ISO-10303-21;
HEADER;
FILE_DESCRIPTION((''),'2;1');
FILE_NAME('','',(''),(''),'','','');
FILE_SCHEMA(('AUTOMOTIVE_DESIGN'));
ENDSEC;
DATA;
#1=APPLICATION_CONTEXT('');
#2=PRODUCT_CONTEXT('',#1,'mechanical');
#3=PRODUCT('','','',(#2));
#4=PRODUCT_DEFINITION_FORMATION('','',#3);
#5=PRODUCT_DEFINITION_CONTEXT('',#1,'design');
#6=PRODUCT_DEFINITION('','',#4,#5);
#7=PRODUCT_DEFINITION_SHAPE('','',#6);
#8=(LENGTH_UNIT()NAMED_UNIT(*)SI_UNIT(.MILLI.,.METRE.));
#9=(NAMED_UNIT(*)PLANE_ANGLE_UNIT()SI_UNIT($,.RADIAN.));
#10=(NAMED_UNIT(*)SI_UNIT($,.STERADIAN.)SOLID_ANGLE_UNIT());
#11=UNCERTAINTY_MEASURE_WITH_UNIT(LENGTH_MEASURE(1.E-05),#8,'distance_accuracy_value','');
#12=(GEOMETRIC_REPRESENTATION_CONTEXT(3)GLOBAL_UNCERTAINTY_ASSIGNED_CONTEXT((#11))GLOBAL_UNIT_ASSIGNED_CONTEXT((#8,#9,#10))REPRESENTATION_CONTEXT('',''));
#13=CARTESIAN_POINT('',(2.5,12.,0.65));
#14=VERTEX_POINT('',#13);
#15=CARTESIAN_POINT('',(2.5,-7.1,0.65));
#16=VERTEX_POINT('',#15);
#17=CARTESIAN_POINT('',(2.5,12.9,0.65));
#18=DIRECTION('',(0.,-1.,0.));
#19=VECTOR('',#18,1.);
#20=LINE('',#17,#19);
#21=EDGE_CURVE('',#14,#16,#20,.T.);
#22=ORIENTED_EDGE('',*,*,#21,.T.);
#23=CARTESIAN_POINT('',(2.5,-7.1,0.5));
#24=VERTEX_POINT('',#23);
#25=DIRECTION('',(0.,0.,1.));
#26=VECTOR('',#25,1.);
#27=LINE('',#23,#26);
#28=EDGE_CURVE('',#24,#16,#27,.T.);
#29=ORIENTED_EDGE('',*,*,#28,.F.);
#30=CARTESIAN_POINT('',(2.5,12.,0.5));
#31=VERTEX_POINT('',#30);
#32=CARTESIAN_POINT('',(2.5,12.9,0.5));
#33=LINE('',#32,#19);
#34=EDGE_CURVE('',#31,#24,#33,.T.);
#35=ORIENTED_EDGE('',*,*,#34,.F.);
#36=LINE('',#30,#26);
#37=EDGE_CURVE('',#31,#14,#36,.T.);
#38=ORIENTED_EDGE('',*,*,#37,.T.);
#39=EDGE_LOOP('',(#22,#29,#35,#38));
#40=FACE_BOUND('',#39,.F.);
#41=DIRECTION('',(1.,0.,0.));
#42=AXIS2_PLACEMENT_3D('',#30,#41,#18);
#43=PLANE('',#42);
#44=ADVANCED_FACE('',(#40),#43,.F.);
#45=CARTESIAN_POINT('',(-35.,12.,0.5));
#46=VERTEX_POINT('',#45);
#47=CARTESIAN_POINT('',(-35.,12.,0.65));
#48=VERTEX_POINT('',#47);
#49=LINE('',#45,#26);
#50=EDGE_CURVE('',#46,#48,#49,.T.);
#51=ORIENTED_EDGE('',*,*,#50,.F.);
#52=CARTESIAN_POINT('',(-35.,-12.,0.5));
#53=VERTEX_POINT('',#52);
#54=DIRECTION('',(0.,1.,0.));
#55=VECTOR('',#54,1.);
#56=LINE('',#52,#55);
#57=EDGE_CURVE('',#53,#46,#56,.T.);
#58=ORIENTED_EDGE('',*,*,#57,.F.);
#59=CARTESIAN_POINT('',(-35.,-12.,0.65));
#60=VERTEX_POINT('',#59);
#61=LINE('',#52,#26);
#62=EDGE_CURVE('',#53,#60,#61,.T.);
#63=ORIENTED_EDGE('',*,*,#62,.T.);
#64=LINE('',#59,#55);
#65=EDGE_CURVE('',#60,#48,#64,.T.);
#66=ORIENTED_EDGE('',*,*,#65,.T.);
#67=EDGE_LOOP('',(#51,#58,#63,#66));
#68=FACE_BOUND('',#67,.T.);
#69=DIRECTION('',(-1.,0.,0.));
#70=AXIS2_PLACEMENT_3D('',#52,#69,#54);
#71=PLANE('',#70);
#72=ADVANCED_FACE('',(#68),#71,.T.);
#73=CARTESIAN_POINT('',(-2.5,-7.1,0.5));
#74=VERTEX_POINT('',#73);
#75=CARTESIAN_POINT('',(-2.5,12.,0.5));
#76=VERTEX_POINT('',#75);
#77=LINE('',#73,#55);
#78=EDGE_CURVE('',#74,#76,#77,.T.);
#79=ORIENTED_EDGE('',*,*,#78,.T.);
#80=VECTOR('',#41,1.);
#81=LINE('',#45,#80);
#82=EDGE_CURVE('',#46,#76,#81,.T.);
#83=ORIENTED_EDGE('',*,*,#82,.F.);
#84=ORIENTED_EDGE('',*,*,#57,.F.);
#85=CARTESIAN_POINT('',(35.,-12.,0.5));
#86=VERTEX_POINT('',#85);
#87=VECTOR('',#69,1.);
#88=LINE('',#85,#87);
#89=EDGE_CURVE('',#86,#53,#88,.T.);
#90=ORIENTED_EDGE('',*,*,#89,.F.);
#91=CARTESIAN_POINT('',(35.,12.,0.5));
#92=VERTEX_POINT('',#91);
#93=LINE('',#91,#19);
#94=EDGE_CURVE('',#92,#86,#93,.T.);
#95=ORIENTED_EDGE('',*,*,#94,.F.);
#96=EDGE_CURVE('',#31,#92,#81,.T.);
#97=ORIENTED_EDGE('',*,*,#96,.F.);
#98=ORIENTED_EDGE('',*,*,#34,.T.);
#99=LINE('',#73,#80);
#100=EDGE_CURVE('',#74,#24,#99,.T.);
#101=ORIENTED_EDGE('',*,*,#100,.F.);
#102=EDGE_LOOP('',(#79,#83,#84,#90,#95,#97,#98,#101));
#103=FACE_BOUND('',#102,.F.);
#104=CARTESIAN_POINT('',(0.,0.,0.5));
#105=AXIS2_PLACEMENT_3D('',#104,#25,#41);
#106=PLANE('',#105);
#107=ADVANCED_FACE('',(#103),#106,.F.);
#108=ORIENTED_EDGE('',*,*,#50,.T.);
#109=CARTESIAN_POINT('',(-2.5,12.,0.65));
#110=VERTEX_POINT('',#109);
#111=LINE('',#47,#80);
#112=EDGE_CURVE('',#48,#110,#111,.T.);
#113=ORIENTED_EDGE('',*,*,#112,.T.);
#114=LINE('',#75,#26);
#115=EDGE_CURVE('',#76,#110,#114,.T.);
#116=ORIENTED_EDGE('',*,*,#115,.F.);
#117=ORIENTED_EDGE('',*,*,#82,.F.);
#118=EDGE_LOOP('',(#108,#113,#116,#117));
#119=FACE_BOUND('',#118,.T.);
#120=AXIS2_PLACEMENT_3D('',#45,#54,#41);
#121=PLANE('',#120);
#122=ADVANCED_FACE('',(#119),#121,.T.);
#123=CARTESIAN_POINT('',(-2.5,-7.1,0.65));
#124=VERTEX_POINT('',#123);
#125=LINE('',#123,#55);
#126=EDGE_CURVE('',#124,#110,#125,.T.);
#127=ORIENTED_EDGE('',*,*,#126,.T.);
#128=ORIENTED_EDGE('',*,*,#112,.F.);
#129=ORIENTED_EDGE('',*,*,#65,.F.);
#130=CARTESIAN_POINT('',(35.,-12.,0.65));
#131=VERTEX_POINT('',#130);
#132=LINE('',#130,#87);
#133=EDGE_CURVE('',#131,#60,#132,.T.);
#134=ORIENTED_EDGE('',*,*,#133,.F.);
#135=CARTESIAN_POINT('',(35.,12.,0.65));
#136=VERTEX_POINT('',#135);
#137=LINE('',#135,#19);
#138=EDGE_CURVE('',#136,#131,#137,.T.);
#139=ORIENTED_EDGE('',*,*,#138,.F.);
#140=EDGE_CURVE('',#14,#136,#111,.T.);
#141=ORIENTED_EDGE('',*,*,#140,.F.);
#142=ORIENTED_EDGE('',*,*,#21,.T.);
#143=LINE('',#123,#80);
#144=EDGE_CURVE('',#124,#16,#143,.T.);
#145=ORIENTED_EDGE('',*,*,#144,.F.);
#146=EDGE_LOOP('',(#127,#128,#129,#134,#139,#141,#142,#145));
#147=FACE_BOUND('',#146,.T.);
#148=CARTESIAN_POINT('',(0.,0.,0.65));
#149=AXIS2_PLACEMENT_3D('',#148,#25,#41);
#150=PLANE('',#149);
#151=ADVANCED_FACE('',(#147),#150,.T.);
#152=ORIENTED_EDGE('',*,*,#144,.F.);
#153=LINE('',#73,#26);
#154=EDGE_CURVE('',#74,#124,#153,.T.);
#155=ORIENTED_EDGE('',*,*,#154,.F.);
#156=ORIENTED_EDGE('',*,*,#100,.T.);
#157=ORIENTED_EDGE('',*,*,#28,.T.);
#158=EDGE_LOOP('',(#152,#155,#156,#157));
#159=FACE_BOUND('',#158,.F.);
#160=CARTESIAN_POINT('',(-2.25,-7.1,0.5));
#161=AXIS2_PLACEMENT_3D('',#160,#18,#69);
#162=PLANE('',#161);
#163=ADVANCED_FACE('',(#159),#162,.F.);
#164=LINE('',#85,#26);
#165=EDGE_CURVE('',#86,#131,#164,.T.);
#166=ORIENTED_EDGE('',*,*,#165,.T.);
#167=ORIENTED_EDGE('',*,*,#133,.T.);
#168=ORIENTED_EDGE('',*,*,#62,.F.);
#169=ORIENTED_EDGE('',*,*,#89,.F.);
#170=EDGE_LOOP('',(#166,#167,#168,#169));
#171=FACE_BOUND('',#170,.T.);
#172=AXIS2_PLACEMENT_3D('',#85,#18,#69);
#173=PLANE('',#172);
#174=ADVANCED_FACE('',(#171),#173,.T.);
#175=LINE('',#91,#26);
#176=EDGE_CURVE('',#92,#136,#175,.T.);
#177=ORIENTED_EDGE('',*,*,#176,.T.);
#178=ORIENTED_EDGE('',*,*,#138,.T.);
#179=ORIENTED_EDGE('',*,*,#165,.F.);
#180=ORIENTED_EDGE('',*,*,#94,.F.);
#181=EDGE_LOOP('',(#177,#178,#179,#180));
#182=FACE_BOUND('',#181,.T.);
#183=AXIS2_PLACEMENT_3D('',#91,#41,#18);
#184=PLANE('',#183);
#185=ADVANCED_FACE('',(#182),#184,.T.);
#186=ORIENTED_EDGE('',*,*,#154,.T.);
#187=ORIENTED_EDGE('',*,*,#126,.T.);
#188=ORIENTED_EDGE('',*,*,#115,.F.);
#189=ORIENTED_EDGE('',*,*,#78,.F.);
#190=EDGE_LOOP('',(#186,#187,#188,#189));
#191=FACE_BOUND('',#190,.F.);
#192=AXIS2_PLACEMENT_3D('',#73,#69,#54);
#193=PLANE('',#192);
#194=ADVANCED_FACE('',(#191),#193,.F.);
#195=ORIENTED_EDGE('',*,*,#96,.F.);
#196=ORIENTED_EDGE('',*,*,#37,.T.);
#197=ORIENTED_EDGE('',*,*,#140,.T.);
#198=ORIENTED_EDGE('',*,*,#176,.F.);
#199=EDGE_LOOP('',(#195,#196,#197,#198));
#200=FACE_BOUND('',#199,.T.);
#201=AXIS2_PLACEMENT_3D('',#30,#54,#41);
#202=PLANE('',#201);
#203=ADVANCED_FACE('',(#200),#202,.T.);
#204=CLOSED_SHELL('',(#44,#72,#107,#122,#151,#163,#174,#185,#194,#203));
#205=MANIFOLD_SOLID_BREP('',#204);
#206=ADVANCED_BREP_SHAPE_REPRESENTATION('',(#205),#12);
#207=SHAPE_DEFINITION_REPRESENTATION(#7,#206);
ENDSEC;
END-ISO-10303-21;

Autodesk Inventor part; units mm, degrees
ref_plane "YZ Plane" through (0, 0, 0) normal (1, 0, 0) x (0, 1, 0)
ref_plane "XZ Plane" through (0, 0, 0) normal (0, 1, 0) x (-1, 0, 0)
ref_plane "XY Plane" through (0, 0, 0) normal (0, 0, 1) x (1, 0, 0)
ref_plane "Arbeitsebene1" through (0, 0, 0.5) normal (0, 0, 1) x (1, 0, 0)
sketch "Skizze1" plane through (0, 0, 0.5) normal (0, 0, 1) x (1, 0, 0)
  circle A0 centre (12, 2.9) radius 1.5 projected
  circle A1 centre (-12, 2.9) radius 1.5 projected
  line L0 (2.5, 12.9) -> (2.5, -7.1) projected
  line L1 (2.5, -7.1) -> (2.25, -7.1) projected
  line L2 (2.25, -7.1) -> (2, -7.1) projected
  line L3 (2, -7.1) -> (1.75, -7.1) projected
  line L4 (1.75, -7.1) -> (1.5, -7.1) projected
  line L5 (1.5, -7.1) -> (1.25, -7.1) projected
  line L6 (1.25, -7.1) -> (1, -7.1) projected
  line L7 (1, -7.1) -> (0.75, -7.1) projected
  line L8 (0.75, -7.1) -> (0.5, -7.1) projected
  line L9 (0.5, -7.1) -> (0.25, -7.1) projected
  line L10 (0.25, -7.1) -> (0, -7.1) projected
  line L11 (0, -7.1) -> (-0.25, -7.1) projected
  line L12 (-0.25, -7.1) -> (-0.5, -7.1) projected
  line L13 (-0.5, -7.1) -> (-0.75, -7.1) projected
  line L14 (-0.75, -7.1) -> (-1, -7.1) projected
  line L15 (-1, -7.1) -> (-1.25, -7.1) projected
  line L16 (-1.25, -7.1) -> (-1.5, -7.1) projected
  line L17 (-1.5, -7.1) -> (-1.75, -7.1) projected
  line L18 (-1.75, -7.1) -> (-2, -7.1) projected
  line L19 (-2, -7.1) -> (-2.25, -7.1) projected
  line L20 (-2.25, -7.1) -> (-2.5, -7.1) projected
  line L21 (-2.5, -7.1) -> (-2.5, 12.9) projected
  line L22 (-2.5, 12.9) -> (-38, 12.9) projected
  line L23 (-38, 12.9) -> (-38, -12.9) projected
  line L24 (-38, -12.9) -> (38, -12.9) projected
  line L25 (38, -12.9) -> (38, 12.9) projected
  line L26 (38, 12.9) -> (2.5, 12.9) projected
  line L27 (35, -12) -> (-35, -12)
  line L28 (-35, -12) -> (-35, 12)
  line L29 (-35, 12) -> (35, 12)
  line L30 (35, 12) -> (35, -12)
  line L31 (35, -12) -> (-35, 12) construction
  line L32 (-35, -12) -> (35, 12) construction
  point P0 (0, 0)
  point P1 (-2.5, 12)
  point P2 (2.5, 12)
  dimension "d0" = 70
  dimension "d1" = 24
extrude "Extrusion1" add sketch "Skizze1" along normal blind 0.15 contours A0 | A1 | L29 L30 L27 L28 L21 L20 L19 L18 L17 L16 L15 L14 L13 L12 L11 L10 L9 L8 L7 L6 L5 L4 L3 L2 L1 L0
properties part number "00_coverglass_70x24"
